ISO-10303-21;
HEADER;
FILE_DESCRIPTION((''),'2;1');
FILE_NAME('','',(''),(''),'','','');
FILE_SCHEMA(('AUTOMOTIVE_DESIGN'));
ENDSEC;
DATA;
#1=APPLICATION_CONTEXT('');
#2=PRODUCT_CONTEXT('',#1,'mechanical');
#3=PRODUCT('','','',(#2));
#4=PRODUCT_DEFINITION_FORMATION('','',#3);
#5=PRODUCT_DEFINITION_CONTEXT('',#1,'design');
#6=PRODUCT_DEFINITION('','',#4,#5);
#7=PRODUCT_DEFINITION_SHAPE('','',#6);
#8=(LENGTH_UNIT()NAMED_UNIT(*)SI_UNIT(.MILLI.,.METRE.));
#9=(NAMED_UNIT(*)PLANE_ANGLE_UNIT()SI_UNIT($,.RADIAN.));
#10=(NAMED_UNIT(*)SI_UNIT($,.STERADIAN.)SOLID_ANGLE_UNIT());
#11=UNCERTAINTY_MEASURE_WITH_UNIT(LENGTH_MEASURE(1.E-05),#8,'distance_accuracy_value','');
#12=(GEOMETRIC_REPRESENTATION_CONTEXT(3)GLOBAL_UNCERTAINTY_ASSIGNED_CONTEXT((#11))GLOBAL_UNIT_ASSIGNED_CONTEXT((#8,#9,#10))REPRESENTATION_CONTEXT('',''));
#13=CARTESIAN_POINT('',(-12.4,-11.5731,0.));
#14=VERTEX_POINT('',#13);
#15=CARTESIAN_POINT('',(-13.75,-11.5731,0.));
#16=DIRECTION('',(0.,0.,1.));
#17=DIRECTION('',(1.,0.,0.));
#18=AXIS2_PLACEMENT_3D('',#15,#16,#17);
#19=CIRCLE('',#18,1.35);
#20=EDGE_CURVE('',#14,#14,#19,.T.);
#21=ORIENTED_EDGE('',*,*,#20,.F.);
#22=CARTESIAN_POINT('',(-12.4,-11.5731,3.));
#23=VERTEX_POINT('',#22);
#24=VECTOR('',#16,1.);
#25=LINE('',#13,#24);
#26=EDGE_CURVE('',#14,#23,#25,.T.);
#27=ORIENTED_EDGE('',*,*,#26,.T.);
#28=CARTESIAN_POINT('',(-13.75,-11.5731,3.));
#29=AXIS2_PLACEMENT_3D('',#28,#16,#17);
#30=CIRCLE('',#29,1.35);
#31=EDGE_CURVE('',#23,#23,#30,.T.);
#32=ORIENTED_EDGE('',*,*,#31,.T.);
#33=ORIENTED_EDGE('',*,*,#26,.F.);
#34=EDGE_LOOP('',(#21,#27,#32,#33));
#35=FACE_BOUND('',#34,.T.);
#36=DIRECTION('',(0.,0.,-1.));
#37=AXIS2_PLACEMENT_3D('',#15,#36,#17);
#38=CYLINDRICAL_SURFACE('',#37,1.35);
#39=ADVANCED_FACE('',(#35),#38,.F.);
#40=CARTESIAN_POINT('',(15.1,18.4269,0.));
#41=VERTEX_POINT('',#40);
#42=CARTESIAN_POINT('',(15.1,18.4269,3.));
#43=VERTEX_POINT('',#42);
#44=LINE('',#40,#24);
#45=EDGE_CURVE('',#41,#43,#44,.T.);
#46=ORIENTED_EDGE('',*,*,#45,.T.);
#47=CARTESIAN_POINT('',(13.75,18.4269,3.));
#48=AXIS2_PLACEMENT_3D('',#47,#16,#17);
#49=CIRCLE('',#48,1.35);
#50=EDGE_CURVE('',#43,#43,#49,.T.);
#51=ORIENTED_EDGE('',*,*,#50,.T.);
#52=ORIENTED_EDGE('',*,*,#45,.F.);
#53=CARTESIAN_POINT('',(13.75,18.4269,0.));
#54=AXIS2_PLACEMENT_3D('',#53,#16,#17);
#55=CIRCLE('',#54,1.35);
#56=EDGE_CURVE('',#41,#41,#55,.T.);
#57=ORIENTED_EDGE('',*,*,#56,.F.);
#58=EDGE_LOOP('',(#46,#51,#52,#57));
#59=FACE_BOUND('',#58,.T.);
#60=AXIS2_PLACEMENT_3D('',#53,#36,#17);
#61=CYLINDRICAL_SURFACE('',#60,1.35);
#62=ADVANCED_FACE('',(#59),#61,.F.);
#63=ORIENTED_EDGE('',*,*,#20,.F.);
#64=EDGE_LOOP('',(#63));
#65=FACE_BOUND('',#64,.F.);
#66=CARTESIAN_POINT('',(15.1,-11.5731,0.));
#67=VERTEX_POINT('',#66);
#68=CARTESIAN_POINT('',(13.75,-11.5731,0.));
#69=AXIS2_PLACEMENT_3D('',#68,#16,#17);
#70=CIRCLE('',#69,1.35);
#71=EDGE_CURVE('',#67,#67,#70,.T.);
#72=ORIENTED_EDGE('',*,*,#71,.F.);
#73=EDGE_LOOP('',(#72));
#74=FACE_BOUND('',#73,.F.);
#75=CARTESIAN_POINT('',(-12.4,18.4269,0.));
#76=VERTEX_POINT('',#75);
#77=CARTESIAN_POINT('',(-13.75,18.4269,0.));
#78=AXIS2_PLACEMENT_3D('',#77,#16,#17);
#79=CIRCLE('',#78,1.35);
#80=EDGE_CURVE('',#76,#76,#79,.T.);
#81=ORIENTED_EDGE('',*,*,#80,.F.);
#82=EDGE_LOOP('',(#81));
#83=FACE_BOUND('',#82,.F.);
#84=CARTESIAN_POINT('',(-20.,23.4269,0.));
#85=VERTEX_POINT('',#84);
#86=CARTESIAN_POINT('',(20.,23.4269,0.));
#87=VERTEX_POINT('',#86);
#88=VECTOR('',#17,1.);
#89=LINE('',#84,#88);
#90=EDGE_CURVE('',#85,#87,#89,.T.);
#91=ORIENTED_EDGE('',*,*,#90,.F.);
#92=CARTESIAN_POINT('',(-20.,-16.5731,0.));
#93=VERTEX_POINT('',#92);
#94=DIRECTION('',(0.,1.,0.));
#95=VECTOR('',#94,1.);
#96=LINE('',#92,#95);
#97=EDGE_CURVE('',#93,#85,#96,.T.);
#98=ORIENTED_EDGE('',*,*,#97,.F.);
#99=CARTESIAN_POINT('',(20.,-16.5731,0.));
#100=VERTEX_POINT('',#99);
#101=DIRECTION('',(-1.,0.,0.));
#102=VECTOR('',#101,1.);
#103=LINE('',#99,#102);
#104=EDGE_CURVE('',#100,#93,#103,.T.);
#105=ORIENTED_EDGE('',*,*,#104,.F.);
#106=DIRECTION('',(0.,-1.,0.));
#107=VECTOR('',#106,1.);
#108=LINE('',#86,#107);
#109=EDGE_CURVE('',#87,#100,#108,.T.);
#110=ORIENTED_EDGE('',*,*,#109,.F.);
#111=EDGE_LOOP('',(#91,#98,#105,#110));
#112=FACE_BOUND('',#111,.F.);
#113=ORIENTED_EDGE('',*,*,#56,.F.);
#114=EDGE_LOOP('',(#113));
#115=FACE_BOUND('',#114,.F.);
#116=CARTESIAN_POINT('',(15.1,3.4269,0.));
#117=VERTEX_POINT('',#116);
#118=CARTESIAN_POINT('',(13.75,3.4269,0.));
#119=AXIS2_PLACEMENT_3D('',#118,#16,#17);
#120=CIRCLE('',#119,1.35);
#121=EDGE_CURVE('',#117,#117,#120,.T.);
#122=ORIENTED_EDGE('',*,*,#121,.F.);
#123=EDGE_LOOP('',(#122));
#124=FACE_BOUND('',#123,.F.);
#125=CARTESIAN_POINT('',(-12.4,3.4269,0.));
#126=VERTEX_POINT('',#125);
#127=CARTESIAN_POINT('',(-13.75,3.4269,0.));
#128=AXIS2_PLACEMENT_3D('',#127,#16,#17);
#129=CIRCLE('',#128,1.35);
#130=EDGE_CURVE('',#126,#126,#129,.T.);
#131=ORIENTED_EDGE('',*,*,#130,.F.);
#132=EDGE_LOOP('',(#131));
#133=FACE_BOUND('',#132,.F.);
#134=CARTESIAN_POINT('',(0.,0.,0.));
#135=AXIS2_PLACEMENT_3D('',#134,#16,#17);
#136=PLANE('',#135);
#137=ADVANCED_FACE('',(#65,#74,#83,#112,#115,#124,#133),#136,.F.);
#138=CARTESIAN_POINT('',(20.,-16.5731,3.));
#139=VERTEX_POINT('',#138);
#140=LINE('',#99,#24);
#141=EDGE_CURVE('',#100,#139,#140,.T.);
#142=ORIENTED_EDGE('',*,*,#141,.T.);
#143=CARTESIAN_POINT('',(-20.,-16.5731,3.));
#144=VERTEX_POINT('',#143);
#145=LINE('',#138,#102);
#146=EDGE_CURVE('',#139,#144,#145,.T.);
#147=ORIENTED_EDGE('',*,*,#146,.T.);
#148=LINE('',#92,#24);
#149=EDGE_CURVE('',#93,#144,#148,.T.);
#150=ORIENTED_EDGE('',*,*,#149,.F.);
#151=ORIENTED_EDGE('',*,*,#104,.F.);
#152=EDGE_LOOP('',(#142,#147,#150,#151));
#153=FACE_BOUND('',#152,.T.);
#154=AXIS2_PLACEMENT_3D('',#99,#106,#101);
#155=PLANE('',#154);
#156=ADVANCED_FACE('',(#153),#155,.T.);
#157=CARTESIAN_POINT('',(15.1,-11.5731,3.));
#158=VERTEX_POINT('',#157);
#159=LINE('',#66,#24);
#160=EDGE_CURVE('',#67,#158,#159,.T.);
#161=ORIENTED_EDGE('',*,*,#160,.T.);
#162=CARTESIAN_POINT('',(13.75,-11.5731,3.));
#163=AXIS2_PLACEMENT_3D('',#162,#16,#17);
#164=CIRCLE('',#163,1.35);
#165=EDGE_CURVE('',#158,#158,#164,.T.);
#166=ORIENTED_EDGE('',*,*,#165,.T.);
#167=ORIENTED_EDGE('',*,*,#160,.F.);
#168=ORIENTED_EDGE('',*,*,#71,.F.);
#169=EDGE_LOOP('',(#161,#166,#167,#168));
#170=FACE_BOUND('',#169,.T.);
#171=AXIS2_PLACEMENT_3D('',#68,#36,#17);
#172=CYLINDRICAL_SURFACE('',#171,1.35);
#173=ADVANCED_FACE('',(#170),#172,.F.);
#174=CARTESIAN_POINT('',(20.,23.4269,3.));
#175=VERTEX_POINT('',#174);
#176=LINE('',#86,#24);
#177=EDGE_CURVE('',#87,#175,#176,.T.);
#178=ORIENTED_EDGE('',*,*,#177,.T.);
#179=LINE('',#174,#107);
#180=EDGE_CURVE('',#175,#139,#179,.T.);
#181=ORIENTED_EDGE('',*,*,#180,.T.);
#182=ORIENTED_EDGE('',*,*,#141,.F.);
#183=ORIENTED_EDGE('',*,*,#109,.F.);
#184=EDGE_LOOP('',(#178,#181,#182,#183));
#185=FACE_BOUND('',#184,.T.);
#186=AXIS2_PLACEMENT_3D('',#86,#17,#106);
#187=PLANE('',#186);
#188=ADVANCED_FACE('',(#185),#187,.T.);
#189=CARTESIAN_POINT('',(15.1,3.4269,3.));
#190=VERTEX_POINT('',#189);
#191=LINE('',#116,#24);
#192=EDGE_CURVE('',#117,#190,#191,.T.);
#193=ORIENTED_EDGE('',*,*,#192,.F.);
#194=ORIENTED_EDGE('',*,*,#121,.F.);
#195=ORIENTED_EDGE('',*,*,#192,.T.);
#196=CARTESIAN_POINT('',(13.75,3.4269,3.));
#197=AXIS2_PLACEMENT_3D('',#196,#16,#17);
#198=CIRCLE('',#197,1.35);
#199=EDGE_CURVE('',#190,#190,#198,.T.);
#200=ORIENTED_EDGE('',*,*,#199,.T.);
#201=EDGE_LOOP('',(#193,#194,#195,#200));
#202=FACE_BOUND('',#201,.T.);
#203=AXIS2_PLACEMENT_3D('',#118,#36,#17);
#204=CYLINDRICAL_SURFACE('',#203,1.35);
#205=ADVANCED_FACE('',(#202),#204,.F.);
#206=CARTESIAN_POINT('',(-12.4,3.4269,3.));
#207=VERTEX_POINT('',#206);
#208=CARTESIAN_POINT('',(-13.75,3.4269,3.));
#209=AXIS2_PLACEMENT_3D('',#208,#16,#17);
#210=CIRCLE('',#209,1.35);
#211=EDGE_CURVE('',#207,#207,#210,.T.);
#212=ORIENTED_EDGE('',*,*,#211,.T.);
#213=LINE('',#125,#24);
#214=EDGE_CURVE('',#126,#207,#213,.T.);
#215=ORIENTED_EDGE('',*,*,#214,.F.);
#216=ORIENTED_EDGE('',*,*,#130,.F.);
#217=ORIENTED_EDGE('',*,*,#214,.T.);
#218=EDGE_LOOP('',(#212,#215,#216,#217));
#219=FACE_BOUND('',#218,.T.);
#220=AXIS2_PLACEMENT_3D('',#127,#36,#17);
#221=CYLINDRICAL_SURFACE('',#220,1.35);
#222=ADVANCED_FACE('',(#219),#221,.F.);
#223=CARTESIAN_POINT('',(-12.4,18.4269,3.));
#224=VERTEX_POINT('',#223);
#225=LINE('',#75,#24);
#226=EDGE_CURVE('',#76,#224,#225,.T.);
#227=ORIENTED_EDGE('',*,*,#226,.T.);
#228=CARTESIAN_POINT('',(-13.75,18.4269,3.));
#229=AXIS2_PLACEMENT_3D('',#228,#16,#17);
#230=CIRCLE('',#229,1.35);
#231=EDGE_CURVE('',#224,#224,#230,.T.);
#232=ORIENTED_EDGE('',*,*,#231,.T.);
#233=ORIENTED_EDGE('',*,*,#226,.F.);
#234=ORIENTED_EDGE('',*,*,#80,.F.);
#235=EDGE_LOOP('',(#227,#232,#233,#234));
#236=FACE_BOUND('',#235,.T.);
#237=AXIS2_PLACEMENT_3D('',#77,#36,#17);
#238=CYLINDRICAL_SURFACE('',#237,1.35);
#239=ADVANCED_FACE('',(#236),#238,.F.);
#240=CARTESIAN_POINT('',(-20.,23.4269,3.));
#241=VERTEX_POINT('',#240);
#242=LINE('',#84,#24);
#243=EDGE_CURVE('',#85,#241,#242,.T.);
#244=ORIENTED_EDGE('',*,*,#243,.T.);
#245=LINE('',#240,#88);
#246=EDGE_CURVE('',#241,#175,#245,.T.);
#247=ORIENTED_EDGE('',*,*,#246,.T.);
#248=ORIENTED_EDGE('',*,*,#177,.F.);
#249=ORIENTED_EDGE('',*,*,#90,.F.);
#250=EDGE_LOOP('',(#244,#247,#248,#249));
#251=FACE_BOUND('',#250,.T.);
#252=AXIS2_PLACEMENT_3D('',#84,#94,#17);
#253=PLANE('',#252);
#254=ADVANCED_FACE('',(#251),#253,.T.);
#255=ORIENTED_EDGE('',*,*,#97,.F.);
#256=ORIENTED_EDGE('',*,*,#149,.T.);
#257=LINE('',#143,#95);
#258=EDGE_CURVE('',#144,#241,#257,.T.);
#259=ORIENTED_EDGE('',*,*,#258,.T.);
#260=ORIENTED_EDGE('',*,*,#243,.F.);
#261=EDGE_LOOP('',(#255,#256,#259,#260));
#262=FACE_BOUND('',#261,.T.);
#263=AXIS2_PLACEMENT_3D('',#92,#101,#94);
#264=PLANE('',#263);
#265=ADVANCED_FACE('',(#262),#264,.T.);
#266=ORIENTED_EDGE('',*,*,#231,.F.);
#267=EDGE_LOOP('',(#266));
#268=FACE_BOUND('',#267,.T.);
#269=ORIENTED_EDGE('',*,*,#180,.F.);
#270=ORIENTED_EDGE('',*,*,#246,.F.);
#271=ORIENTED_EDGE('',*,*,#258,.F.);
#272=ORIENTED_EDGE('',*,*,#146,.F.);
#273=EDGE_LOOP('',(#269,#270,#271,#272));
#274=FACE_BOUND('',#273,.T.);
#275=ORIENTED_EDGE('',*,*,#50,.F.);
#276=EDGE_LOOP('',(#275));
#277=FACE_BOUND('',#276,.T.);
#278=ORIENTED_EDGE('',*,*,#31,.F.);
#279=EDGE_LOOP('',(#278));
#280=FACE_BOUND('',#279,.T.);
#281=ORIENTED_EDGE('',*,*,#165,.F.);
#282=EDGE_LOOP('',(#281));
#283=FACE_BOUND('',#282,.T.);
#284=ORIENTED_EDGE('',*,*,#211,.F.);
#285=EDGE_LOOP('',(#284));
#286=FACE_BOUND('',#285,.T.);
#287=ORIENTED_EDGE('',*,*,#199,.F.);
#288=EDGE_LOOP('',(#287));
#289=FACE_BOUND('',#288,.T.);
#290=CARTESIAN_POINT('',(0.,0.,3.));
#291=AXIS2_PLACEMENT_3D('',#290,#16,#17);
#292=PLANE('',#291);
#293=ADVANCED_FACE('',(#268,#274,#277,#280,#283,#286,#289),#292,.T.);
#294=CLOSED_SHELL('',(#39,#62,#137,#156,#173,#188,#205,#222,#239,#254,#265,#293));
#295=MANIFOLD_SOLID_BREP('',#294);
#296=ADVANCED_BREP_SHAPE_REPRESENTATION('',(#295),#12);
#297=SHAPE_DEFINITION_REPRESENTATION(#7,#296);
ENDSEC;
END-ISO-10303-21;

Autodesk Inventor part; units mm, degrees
ref_plane "YZ Plane" through (0, 0, 0) normal (1, 0, 0) x (0, 1, 0)
ref_plane "XZ Plane" through (0, 0, 0) normal (0, 1, 0) x (-1, 0, 0)
ref_plane "XY Plane" through (0, 0, 0) normal (0, 0, 1) x (1, 0, 0)
sketch "Sketch1" plane through (0, 0, 0) normal (0, 0, 1) x (1, 0, 0)
  line L0 (7.5, 25) -> (-7.5, 25) construction
  line L1 (-7.5, 25) -> (-7.5, -25) construction
  line L2 (-7.5, -25) -> (7.5, -25) construction
  line L3 (7.5, -25) -> (7.5, 25) construction
  circle A0 centre (13.75, 3.4269) radius 1.35 projected
  circle A1 centre (-13.75, 3.4269) radius 1.35 projected
  line L4 (20, 13.4269) -> (-20, 13.4269) construction
  line L5 (-20, 13.4269) -> (-20, -6.5731) construction
  line L6 (-20, -6.5731) -> (20, -6.5731) construction
  line L7 (20, -6.5731) -> (20, 13.4269) construction
  line L8 (20, -16.5731) -> (-20, -16.5731)
  line L9 (-20, -16.5731) -> (-20, 23.4269)
  line L10 (-20, 23.4269) -> (20, 23.4269)
  line L11 (20, 23.4269) -> (20, -16.5731)
  line L12 (-20, 3.4269) -> (20, 3.4269) construction
  circle A2 centre (13.75, 18.4269) radius 1.35 projected
  circle A3 centre (-13.75, 18.4269) radius 1.35 projected
  circle A4 centre (-13.75, -11.5731) radius 1.35 projected
  circle A5 centre (13.75, -11.5731) radius 1.35 projected
  point P0 (0, 0)
  dimension "d0" = 20
  dimension "d1" = 40
extrude "Extrusion1" add sketch "Sketch1" along normal blind 3
equation "\"d1\" = 2 * d0"
